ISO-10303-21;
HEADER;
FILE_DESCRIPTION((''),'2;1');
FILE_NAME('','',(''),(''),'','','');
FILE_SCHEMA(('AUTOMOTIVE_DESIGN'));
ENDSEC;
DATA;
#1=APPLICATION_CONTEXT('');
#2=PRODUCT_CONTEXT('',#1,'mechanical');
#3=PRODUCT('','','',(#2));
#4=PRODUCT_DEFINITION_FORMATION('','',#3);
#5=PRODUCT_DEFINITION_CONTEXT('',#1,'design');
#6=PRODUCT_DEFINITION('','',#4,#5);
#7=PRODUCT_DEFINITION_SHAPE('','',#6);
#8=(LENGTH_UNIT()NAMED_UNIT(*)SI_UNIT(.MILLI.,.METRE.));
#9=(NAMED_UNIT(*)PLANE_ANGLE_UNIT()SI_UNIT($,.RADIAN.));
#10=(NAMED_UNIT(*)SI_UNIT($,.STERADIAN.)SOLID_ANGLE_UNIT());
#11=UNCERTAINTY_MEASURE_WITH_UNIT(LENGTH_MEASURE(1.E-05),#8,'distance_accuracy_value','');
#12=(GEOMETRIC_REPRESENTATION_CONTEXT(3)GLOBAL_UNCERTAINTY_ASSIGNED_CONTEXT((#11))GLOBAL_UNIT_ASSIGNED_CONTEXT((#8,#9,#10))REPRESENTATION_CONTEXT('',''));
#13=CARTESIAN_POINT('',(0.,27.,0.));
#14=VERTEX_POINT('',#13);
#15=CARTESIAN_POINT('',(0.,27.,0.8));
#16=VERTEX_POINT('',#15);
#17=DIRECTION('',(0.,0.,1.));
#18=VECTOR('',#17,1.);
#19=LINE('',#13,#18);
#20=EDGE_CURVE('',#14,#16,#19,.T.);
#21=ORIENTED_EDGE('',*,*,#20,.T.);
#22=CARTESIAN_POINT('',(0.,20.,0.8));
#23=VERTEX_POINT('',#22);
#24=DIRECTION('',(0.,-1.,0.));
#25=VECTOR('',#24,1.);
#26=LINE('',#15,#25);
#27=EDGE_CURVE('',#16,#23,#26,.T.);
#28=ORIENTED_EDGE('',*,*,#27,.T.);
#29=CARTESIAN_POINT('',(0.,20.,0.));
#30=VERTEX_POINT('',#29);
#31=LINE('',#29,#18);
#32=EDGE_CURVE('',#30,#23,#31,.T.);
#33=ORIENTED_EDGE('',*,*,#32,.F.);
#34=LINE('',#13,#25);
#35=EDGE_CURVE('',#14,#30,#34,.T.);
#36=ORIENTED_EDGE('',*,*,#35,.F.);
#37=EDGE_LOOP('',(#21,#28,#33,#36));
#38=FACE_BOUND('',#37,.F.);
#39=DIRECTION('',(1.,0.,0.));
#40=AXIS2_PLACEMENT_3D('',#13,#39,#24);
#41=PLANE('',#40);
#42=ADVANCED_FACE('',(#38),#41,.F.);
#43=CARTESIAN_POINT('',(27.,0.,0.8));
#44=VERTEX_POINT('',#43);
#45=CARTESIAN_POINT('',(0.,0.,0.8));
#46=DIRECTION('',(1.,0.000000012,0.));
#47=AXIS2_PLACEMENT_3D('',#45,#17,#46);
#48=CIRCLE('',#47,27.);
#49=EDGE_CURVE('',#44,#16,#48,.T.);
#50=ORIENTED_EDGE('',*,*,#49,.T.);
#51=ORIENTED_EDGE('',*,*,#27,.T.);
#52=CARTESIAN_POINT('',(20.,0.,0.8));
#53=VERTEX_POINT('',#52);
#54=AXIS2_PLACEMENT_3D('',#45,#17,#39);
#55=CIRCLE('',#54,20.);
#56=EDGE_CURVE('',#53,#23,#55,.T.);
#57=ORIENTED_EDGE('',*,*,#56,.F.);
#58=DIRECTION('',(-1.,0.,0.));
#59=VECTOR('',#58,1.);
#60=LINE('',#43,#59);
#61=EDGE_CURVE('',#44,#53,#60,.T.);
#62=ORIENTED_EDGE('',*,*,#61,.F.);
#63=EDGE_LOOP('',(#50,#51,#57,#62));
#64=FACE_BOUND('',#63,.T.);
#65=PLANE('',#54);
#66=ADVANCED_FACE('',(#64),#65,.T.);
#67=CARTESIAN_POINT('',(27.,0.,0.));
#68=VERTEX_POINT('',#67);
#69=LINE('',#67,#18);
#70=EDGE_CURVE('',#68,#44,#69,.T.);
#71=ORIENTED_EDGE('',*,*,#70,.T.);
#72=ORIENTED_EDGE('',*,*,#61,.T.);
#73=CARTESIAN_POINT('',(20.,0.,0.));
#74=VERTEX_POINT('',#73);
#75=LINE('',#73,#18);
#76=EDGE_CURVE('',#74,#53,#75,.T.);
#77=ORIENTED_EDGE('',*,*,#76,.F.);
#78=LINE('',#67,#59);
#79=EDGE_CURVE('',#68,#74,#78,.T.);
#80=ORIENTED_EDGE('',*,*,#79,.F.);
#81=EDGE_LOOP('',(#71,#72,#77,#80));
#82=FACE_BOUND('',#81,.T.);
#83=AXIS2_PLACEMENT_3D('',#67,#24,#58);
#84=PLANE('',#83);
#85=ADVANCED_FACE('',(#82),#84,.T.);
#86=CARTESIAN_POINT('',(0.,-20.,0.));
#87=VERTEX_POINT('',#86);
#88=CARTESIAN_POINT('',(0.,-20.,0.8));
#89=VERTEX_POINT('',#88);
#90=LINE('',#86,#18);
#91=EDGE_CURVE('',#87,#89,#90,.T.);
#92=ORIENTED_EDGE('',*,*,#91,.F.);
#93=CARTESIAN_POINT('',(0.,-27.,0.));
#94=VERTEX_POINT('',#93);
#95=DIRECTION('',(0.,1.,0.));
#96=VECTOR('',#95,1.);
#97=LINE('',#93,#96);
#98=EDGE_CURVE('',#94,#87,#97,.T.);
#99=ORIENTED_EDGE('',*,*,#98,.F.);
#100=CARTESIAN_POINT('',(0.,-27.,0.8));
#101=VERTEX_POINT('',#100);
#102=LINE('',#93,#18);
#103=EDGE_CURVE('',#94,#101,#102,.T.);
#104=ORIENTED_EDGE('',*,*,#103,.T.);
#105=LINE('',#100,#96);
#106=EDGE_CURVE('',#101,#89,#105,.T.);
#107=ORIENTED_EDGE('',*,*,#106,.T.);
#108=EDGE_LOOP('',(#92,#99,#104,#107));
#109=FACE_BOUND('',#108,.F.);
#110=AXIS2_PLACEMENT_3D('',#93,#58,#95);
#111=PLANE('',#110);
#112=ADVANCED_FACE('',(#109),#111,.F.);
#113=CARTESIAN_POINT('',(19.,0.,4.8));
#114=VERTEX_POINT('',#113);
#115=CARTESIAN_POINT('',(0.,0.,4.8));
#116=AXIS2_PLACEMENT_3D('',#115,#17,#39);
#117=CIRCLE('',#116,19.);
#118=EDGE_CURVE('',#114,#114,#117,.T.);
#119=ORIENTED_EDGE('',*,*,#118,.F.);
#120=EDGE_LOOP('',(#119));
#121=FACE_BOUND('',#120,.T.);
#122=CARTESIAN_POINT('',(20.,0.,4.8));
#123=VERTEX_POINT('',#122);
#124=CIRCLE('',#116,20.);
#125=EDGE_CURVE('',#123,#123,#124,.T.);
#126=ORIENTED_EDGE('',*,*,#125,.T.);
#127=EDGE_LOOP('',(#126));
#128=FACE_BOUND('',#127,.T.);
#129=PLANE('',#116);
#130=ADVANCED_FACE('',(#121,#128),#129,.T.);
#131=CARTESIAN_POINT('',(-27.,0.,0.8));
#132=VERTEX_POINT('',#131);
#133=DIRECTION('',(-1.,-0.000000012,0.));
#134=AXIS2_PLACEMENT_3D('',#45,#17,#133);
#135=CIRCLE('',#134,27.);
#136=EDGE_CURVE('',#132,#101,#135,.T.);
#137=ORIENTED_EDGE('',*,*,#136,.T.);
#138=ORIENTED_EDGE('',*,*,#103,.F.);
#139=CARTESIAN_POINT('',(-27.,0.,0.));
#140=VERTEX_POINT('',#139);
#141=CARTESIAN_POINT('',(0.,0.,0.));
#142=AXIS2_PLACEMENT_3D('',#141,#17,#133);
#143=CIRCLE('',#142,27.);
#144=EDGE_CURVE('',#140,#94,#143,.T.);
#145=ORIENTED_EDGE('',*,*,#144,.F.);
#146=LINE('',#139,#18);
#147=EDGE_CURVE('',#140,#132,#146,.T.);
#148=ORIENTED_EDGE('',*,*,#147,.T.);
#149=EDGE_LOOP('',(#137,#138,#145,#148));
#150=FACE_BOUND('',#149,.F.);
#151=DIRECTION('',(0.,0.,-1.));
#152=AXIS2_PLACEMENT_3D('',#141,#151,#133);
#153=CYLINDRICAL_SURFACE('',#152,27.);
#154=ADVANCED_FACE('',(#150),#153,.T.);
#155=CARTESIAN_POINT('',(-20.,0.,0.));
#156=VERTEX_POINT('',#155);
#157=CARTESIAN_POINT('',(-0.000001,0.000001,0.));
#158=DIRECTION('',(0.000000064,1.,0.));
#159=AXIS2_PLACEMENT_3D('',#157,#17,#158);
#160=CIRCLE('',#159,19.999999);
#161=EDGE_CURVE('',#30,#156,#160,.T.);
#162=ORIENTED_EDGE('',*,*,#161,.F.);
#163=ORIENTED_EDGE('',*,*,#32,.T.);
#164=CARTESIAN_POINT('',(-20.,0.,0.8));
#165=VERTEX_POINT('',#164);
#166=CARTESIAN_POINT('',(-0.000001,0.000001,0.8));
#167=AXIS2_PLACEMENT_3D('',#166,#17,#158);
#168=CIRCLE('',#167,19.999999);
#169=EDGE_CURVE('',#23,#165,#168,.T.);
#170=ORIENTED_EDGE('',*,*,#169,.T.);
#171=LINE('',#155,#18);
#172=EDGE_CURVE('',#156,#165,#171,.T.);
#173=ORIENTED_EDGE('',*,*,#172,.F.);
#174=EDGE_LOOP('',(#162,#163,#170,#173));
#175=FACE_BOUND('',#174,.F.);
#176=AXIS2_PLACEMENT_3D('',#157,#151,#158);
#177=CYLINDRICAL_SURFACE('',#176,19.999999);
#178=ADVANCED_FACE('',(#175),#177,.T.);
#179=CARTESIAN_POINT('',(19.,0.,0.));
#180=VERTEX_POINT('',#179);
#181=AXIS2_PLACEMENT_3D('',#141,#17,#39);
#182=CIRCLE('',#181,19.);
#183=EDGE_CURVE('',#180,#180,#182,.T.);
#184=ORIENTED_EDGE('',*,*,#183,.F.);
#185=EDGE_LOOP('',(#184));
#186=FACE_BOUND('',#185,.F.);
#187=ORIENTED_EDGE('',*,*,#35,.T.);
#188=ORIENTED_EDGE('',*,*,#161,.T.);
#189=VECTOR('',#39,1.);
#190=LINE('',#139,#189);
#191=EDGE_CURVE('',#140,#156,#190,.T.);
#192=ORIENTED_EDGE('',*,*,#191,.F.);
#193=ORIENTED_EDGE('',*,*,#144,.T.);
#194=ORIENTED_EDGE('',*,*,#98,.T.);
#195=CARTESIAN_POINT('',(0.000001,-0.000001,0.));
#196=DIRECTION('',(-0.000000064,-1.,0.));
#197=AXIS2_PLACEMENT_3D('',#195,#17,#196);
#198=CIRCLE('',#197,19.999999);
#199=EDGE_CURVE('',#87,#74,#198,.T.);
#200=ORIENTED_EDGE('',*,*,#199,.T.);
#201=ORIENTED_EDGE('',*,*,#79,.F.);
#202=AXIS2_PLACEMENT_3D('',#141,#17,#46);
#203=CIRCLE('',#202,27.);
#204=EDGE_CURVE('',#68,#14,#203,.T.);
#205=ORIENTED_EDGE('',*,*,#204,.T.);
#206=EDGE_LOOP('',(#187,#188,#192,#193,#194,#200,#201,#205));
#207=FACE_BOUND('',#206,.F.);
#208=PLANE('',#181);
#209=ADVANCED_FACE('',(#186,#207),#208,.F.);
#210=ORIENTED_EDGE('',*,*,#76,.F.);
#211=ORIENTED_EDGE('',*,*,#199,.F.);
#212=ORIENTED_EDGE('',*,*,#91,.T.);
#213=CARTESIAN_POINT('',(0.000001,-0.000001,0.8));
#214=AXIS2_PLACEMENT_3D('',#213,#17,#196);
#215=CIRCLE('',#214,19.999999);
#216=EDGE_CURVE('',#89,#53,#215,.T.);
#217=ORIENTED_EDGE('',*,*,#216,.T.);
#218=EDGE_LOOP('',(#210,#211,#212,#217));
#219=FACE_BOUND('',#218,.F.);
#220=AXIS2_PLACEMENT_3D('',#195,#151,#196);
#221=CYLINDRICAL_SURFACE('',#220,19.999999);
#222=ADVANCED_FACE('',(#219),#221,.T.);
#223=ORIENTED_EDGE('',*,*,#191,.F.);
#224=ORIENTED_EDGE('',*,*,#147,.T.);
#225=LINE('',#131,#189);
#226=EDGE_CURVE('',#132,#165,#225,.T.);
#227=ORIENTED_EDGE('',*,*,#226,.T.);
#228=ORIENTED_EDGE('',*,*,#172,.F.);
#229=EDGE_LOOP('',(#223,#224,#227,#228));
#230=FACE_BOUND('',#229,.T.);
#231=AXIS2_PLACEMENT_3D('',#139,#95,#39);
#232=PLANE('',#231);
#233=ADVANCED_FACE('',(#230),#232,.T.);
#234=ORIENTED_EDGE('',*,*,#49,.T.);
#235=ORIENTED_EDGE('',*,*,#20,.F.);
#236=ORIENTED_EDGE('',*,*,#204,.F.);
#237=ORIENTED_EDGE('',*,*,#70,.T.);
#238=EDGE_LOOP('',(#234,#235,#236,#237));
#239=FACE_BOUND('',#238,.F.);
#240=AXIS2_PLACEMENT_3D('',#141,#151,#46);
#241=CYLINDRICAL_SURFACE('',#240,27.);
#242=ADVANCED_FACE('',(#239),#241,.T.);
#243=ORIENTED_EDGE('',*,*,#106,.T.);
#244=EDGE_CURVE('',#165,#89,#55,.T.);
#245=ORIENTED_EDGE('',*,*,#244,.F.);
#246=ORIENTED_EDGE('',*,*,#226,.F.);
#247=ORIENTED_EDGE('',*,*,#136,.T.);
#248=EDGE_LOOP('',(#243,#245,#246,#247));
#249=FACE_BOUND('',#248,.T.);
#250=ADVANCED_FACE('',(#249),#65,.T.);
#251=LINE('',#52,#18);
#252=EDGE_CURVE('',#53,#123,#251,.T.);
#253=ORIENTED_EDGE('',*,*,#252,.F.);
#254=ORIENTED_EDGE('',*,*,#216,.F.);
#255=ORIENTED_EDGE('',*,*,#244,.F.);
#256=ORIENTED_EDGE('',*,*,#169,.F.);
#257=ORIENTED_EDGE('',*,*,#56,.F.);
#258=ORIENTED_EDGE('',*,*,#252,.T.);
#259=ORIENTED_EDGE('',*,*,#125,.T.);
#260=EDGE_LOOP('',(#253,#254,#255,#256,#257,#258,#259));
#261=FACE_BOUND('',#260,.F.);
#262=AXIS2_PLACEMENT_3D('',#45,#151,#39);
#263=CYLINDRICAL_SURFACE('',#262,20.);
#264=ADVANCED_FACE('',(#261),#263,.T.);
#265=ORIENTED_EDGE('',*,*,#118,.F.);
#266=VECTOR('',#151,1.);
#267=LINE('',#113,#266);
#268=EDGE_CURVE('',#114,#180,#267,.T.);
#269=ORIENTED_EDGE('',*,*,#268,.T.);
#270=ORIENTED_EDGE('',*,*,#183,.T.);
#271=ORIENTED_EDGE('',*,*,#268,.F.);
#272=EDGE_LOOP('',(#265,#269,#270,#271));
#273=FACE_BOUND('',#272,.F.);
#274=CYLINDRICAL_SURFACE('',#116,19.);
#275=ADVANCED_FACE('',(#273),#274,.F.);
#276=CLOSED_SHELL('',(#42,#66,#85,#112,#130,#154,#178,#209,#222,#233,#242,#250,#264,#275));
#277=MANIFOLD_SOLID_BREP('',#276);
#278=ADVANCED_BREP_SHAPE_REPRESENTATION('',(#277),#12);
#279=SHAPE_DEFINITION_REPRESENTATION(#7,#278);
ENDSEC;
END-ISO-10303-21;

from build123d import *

# Parameters (mm, degrees)
PAD_DEPTH    = 0.8
SKETCH001_R  = 20
PAD001_DEPTH = 4
SKETCH002_R  = 19
POCKET_DEPTH = 4.801


with BuildPart() as part:
    # Sketch → Pad (new body)
    with BuildSketch(Plane.XY):
        with BuildLine():
            ThreePointArc((0, 20), (-14.142136, 14.142136), (-20, 0))
            Line((-27, 0), (-20, 0))
            ThreePointArc((-27, 0), (-19.091883, -19.091883), (0, -27))
            Line((0, -27), (0, -20))
            ThreePointArc((0, -20), (14.142136, -14.142136), (20, 0))
            Line((27, 0), (20, 0))
            ThreePointArc((27, 0), (19.091883, 19.091883), (0, 27))
            Line((0, 27), (0, 20))
        make_face()
    extrude(amount=PAD_DEPTH)

    # Sketch001 → Pad001 (new body)
    with BuildSketch(Plane.XY.offset(0.8)):
        Circle(SKETCH001_R)
    extrude(amount=PAD001_DEPTH)

    # Sketch002 → Pocket (cut, through all)
    with BuildSketch(Plane.XY.offset(4.8)):
        Circle(SKETCH002_R)
    extrude(amount=-POCKET_DEPTH, mode=Mode.SUBTRACT)


solid = part.part
